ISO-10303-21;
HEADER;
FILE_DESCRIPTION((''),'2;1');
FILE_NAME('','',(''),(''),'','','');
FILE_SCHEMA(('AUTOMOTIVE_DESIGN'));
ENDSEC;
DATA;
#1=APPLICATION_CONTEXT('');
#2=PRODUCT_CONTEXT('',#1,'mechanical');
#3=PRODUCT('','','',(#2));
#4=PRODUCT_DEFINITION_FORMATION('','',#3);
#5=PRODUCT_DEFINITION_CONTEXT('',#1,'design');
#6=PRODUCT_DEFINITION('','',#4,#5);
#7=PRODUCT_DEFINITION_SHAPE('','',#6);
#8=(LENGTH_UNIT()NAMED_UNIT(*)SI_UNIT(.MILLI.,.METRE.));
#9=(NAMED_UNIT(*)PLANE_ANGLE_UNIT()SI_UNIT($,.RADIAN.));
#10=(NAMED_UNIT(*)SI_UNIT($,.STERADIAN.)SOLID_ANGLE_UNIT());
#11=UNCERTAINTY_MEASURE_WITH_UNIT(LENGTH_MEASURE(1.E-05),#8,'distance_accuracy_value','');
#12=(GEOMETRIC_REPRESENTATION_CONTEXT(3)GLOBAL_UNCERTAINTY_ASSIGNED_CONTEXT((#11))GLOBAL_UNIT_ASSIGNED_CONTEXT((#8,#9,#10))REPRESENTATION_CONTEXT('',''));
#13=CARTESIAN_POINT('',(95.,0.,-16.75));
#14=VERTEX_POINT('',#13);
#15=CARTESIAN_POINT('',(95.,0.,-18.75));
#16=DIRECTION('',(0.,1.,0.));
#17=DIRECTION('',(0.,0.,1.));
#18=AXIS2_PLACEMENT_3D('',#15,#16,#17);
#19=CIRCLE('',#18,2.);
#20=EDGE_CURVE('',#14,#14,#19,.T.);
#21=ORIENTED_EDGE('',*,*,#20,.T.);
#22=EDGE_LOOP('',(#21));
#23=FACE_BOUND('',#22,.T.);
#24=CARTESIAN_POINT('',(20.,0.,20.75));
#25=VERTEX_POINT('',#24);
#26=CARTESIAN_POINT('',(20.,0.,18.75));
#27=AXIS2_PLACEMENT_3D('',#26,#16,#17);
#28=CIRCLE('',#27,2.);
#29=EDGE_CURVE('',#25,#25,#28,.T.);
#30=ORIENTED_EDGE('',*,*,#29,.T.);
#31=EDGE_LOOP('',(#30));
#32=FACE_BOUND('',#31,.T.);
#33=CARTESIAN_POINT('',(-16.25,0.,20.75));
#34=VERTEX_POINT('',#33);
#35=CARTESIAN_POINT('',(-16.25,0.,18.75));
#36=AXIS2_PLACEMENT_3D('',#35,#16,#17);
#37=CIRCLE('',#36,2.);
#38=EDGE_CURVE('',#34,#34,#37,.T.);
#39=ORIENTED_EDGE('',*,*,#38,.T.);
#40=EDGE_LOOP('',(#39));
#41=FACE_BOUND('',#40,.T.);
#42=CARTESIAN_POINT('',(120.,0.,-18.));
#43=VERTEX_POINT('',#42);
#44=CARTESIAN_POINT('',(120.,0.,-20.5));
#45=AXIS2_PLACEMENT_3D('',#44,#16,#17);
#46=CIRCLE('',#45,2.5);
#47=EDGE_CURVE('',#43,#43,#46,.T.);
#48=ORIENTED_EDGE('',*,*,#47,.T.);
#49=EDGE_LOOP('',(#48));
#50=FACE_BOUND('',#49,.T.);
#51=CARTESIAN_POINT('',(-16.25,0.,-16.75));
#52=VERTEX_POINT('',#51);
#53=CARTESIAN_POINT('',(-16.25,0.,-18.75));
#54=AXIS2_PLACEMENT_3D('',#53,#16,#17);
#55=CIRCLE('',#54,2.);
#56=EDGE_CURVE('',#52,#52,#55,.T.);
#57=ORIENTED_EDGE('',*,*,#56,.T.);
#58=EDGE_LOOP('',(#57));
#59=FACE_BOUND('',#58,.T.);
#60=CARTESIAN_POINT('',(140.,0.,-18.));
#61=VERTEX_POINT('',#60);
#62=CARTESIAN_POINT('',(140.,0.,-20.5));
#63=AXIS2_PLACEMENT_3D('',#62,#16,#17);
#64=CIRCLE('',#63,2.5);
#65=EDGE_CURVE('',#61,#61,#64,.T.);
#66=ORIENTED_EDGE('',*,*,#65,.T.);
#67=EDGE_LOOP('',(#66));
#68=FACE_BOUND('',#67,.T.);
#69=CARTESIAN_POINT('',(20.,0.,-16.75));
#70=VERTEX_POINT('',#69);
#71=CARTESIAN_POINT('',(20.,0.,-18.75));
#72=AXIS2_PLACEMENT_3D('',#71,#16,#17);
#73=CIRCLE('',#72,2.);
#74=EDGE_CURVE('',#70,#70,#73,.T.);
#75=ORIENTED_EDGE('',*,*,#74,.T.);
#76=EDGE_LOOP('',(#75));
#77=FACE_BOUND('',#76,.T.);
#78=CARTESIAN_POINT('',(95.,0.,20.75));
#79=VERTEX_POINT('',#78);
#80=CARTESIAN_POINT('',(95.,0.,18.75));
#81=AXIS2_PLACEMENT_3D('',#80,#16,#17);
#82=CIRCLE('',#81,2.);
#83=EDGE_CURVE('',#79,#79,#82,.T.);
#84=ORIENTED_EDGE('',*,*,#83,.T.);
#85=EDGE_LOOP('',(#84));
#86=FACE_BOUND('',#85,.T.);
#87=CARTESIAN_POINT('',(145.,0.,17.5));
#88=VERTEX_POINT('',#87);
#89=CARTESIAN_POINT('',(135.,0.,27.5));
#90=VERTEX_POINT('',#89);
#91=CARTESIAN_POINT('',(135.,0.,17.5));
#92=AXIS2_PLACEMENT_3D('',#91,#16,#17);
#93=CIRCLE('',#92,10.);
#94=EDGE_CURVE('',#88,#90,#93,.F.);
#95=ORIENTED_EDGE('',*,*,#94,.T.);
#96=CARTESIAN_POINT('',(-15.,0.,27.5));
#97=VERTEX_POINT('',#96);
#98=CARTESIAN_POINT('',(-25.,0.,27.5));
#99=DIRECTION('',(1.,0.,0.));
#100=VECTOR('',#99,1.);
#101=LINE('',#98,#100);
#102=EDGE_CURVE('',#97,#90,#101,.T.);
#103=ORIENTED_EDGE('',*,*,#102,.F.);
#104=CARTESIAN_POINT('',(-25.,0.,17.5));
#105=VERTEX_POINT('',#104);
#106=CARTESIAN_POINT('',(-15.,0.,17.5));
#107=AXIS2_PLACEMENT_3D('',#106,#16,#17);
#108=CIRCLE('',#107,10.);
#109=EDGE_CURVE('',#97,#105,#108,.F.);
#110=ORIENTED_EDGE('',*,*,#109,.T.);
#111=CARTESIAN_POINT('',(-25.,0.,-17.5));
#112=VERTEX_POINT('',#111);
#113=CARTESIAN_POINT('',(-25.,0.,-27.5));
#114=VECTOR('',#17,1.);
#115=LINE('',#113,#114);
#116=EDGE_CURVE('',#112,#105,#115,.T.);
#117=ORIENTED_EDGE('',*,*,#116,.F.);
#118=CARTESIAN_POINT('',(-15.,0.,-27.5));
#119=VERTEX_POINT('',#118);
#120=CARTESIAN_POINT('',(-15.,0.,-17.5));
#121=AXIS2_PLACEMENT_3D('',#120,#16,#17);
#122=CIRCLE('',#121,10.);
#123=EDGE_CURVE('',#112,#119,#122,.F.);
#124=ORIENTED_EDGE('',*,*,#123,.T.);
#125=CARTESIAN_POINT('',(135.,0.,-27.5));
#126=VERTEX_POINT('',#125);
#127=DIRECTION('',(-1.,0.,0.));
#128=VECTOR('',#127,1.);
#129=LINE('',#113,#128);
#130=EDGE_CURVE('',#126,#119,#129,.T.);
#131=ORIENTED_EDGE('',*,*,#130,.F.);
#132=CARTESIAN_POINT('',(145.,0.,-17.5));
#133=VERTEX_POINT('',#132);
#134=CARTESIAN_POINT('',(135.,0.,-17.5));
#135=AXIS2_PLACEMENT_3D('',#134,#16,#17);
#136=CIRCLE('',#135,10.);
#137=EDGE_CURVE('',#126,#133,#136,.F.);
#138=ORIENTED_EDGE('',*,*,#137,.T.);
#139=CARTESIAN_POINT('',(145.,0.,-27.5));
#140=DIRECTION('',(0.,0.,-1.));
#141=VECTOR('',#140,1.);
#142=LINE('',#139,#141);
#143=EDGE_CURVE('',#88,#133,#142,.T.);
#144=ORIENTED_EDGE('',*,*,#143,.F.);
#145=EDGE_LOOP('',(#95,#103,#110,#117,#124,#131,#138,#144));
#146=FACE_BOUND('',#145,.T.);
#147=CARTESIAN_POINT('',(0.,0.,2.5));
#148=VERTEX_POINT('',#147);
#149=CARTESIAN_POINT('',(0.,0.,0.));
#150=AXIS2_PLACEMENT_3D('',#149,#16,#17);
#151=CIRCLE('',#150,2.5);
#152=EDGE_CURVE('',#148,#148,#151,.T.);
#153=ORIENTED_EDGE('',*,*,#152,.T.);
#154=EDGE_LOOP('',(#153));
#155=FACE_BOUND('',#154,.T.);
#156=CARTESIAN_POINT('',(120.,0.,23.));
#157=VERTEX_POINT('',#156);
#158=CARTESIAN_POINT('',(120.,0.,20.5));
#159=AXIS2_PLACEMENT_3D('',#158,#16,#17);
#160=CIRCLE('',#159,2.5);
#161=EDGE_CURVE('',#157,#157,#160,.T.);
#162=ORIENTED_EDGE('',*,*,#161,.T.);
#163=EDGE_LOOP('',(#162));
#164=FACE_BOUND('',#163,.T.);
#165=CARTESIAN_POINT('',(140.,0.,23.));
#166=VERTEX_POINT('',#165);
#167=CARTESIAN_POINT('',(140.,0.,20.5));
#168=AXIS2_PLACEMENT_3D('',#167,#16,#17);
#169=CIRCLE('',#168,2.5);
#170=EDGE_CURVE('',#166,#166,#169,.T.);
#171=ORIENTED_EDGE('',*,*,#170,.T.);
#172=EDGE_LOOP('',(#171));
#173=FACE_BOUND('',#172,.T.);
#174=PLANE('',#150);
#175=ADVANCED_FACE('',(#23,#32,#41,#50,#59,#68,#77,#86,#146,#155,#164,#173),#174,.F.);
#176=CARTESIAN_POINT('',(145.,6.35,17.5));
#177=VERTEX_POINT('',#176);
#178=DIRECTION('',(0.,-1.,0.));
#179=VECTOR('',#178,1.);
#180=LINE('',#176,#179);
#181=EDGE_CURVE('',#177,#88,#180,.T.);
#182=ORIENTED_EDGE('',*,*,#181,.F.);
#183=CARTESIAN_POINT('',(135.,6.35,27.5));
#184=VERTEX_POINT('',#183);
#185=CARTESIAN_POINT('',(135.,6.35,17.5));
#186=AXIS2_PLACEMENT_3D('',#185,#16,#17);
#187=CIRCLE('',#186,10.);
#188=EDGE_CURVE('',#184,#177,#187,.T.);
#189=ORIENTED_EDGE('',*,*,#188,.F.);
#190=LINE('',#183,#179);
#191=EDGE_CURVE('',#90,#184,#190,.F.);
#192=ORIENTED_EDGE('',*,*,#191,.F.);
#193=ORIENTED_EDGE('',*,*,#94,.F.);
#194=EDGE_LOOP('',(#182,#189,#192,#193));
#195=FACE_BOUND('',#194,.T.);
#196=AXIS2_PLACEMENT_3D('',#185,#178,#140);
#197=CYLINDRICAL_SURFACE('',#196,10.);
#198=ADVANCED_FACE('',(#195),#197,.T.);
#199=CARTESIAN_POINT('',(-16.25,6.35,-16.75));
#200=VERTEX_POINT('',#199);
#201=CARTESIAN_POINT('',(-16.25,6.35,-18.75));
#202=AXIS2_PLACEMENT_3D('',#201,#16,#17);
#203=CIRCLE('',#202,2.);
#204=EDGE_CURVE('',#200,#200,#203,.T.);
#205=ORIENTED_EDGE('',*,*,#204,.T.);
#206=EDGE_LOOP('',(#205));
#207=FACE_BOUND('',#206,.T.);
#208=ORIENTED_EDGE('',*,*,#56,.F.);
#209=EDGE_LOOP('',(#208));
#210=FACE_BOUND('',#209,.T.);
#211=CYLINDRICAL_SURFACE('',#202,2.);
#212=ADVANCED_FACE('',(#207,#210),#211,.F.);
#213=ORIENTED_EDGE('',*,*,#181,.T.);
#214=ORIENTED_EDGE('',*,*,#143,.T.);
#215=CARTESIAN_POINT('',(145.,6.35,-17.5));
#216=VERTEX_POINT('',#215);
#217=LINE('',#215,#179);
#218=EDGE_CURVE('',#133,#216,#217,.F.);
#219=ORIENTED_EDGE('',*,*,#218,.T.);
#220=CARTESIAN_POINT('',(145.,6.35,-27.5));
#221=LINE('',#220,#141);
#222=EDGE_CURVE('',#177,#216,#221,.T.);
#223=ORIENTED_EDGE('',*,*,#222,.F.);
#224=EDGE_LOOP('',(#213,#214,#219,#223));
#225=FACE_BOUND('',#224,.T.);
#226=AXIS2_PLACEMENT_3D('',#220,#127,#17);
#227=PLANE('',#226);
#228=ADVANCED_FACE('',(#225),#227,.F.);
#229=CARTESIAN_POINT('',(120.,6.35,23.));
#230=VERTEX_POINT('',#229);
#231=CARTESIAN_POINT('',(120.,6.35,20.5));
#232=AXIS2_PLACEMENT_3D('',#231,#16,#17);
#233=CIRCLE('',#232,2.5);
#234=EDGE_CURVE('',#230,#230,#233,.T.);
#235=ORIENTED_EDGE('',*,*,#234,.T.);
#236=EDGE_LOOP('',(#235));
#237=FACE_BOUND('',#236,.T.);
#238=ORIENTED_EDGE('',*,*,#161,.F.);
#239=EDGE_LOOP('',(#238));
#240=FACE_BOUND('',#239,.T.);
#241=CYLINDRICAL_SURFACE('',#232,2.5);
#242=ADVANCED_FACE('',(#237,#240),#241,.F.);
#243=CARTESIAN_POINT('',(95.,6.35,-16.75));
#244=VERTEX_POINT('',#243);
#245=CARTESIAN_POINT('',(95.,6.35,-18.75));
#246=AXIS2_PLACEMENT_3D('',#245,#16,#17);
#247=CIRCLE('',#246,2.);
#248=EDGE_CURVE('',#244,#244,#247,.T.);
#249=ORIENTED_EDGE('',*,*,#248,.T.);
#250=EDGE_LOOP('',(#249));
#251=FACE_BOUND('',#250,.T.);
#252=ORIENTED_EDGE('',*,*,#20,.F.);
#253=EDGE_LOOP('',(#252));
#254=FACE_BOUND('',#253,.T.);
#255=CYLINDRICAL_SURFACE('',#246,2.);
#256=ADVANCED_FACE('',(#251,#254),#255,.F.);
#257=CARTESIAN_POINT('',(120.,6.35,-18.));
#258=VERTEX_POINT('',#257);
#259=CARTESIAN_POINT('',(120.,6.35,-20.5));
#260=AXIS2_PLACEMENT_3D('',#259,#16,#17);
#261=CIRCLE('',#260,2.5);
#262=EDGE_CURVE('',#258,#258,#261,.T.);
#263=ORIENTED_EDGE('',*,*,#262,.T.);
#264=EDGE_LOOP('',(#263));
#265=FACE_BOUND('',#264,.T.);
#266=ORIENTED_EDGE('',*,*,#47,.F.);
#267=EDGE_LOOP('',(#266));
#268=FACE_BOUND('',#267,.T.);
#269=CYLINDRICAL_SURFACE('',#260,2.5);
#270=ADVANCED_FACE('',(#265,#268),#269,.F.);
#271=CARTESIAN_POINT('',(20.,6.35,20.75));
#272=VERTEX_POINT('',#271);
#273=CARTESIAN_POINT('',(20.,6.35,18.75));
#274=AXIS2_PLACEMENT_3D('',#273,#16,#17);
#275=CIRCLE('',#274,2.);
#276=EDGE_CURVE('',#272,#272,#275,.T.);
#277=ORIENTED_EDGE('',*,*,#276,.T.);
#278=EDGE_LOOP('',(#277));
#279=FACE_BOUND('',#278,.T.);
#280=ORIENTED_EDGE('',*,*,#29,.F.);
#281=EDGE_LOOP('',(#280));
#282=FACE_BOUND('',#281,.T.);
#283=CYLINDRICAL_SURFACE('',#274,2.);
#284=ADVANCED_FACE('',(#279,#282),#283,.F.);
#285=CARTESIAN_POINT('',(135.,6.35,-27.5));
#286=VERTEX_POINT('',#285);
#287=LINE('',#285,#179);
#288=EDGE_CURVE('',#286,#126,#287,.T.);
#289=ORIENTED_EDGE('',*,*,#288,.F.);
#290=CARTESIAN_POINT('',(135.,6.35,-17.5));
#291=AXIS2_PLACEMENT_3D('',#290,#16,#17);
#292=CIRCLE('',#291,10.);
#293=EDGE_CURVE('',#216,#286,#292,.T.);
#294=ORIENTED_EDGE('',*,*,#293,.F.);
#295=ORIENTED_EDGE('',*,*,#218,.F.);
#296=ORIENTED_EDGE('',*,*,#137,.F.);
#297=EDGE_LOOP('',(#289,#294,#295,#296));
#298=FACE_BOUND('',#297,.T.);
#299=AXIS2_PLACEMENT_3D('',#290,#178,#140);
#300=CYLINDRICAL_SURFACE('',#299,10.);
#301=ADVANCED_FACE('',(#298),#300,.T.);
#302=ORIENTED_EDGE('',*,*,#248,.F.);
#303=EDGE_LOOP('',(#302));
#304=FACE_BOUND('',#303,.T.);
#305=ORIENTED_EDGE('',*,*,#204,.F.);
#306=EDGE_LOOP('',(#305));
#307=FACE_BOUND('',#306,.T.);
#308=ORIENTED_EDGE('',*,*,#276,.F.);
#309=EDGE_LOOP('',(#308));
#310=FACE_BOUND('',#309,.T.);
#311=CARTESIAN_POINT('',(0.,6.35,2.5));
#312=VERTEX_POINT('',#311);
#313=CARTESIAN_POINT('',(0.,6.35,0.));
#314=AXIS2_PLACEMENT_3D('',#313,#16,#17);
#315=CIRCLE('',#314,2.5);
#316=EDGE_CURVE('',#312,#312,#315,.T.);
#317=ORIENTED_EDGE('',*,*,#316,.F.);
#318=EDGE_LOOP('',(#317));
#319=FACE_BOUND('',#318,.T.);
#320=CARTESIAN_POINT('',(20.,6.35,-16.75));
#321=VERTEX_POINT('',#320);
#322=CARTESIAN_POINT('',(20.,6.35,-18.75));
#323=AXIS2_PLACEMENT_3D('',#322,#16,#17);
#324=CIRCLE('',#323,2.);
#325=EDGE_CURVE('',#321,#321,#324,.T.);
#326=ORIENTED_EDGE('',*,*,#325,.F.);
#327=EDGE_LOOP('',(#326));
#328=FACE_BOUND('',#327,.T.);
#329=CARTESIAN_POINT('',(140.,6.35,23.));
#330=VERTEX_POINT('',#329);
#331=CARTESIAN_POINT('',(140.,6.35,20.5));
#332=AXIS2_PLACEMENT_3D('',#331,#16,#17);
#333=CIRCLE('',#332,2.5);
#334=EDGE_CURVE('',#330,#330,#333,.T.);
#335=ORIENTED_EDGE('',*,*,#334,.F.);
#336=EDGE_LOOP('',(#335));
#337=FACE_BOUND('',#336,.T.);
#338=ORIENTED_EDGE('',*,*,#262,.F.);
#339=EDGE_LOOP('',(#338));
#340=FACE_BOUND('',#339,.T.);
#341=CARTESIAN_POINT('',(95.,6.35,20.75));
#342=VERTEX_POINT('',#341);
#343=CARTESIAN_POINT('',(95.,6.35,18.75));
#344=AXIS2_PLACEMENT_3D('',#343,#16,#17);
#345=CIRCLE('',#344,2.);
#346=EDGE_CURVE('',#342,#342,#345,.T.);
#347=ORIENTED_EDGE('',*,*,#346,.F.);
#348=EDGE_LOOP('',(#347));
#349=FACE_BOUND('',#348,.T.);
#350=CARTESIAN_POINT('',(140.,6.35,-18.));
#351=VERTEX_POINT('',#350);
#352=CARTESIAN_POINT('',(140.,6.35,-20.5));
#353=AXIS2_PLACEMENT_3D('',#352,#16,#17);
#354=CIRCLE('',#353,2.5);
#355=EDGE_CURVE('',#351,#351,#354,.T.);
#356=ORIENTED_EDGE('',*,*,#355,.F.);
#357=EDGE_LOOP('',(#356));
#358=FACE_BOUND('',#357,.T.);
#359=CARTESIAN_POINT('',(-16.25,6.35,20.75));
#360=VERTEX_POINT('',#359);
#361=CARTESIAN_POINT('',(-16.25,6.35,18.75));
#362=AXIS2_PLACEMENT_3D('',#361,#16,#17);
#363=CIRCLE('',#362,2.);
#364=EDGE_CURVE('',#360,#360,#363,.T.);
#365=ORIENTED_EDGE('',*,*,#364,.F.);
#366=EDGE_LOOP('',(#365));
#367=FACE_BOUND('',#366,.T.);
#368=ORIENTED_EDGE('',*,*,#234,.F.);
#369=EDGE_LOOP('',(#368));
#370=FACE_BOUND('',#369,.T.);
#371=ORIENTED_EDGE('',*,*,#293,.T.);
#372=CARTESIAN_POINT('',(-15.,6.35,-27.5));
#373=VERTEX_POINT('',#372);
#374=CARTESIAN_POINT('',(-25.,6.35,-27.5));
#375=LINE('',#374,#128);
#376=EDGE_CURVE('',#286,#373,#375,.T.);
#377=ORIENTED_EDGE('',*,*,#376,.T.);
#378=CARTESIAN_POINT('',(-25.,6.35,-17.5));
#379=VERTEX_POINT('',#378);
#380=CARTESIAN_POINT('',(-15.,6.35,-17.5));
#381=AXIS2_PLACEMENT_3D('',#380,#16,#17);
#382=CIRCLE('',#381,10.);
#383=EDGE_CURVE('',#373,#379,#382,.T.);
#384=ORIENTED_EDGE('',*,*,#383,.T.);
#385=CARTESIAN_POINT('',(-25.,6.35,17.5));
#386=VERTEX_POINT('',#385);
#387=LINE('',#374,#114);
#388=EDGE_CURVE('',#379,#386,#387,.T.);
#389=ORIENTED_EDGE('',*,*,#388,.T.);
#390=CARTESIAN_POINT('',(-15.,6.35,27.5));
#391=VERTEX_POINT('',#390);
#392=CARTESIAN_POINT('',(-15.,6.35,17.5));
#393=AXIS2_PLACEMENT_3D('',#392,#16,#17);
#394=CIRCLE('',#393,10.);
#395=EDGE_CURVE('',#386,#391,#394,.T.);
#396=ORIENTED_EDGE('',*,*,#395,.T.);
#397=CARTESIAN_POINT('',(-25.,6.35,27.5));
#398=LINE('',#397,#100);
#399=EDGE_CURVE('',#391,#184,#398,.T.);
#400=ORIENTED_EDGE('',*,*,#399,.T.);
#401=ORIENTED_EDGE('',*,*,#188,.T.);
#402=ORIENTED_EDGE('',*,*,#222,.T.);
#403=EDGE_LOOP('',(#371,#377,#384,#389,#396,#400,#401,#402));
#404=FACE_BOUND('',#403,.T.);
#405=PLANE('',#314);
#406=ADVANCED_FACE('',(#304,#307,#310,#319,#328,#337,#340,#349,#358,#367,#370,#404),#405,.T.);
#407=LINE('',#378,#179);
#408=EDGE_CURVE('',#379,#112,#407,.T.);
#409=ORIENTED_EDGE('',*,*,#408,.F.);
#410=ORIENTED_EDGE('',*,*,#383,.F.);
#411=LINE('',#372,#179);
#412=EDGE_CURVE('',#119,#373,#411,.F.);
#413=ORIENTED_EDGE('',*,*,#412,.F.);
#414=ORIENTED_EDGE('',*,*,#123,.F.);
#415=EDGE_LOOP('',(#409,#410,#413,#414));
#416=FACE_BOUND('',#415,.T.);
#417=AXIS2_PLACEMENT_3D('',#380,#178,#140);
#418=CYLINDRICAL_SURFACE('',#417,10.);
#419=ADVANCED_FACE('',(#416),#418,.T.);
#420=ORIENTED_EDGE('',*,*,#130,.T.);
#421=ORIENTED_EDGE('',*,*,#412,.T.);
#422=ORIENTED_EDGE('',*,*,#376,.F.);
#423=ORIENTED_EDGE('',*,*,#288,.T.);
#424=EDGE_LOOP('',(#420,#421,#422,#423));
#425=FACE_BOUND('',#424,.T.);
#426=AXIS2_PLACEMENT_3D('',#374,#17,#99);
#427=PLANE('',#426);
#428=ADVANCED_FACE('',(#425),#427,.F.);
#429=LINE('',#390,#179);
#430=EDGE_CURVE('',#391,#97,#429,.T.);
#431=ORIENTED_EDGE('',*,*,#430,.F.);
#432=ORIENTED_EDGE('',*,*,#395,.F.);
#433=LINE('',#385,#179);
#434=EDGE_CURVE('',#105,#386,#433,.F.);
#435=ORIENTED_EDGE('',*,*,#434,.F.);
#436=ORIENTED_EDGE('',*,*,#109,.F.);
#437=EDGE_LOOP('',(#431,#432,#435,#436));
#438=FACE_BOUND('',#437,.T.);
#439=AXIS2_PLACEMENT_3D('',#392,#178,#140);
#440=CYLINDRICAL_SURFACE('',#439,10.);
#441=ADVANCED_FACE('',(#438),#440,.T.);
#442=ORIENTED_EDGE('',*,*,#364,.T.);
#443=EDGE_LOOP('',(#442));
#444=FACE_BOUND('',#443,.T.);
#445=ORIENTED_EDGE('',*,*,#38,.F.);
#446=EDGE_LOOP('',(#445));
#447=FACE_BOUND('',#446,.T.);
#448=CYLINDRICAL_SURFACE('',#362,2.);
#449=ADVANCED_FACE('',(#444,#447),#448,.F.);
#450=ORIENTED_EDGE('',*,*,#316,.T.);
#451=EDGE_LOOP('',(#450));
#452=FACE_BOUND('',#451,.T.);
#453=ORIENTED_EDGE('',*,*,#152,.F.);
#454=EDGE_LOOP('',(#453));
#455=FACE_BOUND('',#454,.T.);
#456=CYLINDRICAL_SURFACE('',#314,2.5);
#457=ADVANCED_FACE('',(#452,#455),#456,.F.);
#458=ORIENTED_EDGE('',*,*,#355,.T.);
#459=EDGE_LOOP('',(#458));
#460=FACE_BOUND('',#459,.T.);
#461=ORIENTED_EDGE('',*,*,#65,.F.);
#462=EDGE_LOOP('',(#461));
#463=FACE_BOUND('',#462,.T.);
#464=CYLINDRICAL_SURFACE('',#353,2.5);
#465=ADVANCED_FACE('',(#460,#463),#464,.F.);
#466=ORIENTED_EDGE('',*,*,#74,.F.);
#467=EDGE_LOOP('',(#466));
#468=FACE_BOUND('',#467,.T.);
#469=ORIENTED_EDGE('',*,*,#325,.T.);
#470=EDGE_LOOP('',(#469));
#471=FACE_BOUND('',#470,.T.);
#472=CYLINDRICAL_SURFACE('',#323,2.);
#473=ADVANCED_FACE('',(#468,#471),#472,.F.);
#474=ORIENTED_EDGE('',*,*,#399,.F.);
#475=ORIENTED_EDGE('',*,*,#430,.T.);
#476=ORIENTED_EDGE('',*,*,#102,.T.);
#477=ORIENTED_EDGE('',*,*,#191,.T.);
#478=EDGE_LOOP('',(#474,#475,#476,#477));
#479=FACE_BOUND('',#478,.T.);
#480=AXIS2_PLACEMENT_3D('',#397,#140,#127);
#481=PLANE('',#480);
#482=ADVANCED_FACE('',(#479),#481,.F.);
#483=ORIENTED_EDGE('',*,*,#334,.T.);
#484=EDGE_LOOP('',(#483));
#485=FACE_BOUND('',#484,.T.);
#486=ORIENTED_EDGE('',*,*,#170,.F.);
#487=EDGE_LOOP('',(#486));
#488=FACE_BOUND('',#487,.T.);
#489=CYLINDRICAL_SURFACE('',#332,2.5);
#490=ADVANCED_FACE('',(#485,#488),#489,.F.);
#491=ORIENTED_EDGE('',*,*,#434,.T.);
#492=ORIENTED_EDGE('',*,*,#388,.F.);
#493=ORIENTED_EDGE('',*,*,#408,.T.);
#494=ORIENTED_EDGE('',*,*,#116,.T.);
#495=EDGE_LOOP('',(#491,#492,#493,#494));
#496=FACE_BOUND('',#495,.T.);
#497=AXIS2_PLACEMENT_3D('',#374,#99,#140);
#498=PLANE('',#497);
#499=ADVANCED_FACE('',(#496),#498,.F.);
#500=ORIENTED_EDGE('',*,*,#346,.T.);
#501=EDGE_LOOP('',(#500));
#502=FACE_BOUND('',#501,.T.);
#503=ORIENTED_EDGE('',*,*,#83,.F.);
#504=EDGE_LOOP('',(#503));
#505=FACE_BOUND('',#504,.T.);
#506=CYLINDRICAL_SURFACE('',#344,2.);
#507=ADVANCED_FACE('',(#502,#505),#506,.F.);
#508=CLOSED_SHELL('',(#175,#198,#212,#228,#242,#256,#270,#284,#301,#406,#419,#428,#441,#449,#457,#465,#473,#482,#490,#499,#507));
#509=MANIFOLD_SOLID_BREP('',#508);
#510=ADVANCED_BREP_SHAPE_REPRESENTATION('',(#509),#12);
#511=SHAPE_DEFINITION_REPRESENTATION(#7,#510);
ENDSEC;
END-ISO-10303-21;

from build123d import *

# Parameters (mm, degrees)
SKETCH1_W                 = 170
SKETCH1_H                 = 55
BOSS_EXTRUDE1_DEPTH       = 6.35
FILLET1_R                 = 10
F_5_0MM_DOWEL_HOLE1_D     = 5
F_4_0MM_DOWEL_HOLE1_D     = 4
F_4_0MM_DOWEL_HOLE1_DEPTH = 6.35
F_5_0MM_DOWEL_HOLE2_D     = 5


with BuildPart() as part:
    # Sketch1 → Boss-Extrude1 (new body)
    with BuildSketch(Plane(origin=(0, 0, 0), x_dir=(1, 0, 0), z_dir=(0, 1, 0))):
        with Locations((60, 0)):
            Rectangle(SKETCH1_W, SKETCH1_H)
    extrude(amount=BOSS_EXTRUDE1_DEPTH)

    # Fillet1
    fillet1_edges = [part.edges().sort_by_distance(p)[0] for p in [
        (-25, 3.175, -27.5),
        (145, 3.175, -27.5),
        (145, 3.175, 27.5),
        (-25, 3.175, 27.5),
    ]]
    fillet(fillet1_edges, radius=FILLET1_R)

    # Ø5.0mm Dowel Hole1 (through all)
    with Locations(Plane(origin=(0, 6.35, 0), x_dir=(1, 0, 0), z_dir=(0, 1, 0))):
        with Locations((0, 0)):
            Hole(F_5_0MM_DOWEL_HOLE1_D / 2)

    # Ø4.0mm Dowel Hole1
    with Locations(Plane(origin=(0, 6.35, 0), x_dir=(1, 0, 0), z_dir=(0, 1, 0))):
        with Locations((-16.25, -18.75), (20, -18.75), (95, -18.75), (170, -18.75), (170, 18.75), (95, 18.75), (20, 18.75), (-16.25, 18.75)):
            Hole(F_4_0MM_DOWEL_HOLE1_D / 2, depth=F_4_0MM_DOWEL_HOLE1_DEPTH)

    # Ø5.0mm Dowel Hole2 (through all)
    with Locations(Plane(origin=(0, 6.35, 0), x_dir=(1, 0, 0), z_dir=(0, 1, 0))):
        with Locations((140, 20.5), (120, 20.5), (140, -20.5), (120, -20.5)):
            Hole(F_5_0MM_DOWEL_HOLE2_D / 2)


solid = part.part
